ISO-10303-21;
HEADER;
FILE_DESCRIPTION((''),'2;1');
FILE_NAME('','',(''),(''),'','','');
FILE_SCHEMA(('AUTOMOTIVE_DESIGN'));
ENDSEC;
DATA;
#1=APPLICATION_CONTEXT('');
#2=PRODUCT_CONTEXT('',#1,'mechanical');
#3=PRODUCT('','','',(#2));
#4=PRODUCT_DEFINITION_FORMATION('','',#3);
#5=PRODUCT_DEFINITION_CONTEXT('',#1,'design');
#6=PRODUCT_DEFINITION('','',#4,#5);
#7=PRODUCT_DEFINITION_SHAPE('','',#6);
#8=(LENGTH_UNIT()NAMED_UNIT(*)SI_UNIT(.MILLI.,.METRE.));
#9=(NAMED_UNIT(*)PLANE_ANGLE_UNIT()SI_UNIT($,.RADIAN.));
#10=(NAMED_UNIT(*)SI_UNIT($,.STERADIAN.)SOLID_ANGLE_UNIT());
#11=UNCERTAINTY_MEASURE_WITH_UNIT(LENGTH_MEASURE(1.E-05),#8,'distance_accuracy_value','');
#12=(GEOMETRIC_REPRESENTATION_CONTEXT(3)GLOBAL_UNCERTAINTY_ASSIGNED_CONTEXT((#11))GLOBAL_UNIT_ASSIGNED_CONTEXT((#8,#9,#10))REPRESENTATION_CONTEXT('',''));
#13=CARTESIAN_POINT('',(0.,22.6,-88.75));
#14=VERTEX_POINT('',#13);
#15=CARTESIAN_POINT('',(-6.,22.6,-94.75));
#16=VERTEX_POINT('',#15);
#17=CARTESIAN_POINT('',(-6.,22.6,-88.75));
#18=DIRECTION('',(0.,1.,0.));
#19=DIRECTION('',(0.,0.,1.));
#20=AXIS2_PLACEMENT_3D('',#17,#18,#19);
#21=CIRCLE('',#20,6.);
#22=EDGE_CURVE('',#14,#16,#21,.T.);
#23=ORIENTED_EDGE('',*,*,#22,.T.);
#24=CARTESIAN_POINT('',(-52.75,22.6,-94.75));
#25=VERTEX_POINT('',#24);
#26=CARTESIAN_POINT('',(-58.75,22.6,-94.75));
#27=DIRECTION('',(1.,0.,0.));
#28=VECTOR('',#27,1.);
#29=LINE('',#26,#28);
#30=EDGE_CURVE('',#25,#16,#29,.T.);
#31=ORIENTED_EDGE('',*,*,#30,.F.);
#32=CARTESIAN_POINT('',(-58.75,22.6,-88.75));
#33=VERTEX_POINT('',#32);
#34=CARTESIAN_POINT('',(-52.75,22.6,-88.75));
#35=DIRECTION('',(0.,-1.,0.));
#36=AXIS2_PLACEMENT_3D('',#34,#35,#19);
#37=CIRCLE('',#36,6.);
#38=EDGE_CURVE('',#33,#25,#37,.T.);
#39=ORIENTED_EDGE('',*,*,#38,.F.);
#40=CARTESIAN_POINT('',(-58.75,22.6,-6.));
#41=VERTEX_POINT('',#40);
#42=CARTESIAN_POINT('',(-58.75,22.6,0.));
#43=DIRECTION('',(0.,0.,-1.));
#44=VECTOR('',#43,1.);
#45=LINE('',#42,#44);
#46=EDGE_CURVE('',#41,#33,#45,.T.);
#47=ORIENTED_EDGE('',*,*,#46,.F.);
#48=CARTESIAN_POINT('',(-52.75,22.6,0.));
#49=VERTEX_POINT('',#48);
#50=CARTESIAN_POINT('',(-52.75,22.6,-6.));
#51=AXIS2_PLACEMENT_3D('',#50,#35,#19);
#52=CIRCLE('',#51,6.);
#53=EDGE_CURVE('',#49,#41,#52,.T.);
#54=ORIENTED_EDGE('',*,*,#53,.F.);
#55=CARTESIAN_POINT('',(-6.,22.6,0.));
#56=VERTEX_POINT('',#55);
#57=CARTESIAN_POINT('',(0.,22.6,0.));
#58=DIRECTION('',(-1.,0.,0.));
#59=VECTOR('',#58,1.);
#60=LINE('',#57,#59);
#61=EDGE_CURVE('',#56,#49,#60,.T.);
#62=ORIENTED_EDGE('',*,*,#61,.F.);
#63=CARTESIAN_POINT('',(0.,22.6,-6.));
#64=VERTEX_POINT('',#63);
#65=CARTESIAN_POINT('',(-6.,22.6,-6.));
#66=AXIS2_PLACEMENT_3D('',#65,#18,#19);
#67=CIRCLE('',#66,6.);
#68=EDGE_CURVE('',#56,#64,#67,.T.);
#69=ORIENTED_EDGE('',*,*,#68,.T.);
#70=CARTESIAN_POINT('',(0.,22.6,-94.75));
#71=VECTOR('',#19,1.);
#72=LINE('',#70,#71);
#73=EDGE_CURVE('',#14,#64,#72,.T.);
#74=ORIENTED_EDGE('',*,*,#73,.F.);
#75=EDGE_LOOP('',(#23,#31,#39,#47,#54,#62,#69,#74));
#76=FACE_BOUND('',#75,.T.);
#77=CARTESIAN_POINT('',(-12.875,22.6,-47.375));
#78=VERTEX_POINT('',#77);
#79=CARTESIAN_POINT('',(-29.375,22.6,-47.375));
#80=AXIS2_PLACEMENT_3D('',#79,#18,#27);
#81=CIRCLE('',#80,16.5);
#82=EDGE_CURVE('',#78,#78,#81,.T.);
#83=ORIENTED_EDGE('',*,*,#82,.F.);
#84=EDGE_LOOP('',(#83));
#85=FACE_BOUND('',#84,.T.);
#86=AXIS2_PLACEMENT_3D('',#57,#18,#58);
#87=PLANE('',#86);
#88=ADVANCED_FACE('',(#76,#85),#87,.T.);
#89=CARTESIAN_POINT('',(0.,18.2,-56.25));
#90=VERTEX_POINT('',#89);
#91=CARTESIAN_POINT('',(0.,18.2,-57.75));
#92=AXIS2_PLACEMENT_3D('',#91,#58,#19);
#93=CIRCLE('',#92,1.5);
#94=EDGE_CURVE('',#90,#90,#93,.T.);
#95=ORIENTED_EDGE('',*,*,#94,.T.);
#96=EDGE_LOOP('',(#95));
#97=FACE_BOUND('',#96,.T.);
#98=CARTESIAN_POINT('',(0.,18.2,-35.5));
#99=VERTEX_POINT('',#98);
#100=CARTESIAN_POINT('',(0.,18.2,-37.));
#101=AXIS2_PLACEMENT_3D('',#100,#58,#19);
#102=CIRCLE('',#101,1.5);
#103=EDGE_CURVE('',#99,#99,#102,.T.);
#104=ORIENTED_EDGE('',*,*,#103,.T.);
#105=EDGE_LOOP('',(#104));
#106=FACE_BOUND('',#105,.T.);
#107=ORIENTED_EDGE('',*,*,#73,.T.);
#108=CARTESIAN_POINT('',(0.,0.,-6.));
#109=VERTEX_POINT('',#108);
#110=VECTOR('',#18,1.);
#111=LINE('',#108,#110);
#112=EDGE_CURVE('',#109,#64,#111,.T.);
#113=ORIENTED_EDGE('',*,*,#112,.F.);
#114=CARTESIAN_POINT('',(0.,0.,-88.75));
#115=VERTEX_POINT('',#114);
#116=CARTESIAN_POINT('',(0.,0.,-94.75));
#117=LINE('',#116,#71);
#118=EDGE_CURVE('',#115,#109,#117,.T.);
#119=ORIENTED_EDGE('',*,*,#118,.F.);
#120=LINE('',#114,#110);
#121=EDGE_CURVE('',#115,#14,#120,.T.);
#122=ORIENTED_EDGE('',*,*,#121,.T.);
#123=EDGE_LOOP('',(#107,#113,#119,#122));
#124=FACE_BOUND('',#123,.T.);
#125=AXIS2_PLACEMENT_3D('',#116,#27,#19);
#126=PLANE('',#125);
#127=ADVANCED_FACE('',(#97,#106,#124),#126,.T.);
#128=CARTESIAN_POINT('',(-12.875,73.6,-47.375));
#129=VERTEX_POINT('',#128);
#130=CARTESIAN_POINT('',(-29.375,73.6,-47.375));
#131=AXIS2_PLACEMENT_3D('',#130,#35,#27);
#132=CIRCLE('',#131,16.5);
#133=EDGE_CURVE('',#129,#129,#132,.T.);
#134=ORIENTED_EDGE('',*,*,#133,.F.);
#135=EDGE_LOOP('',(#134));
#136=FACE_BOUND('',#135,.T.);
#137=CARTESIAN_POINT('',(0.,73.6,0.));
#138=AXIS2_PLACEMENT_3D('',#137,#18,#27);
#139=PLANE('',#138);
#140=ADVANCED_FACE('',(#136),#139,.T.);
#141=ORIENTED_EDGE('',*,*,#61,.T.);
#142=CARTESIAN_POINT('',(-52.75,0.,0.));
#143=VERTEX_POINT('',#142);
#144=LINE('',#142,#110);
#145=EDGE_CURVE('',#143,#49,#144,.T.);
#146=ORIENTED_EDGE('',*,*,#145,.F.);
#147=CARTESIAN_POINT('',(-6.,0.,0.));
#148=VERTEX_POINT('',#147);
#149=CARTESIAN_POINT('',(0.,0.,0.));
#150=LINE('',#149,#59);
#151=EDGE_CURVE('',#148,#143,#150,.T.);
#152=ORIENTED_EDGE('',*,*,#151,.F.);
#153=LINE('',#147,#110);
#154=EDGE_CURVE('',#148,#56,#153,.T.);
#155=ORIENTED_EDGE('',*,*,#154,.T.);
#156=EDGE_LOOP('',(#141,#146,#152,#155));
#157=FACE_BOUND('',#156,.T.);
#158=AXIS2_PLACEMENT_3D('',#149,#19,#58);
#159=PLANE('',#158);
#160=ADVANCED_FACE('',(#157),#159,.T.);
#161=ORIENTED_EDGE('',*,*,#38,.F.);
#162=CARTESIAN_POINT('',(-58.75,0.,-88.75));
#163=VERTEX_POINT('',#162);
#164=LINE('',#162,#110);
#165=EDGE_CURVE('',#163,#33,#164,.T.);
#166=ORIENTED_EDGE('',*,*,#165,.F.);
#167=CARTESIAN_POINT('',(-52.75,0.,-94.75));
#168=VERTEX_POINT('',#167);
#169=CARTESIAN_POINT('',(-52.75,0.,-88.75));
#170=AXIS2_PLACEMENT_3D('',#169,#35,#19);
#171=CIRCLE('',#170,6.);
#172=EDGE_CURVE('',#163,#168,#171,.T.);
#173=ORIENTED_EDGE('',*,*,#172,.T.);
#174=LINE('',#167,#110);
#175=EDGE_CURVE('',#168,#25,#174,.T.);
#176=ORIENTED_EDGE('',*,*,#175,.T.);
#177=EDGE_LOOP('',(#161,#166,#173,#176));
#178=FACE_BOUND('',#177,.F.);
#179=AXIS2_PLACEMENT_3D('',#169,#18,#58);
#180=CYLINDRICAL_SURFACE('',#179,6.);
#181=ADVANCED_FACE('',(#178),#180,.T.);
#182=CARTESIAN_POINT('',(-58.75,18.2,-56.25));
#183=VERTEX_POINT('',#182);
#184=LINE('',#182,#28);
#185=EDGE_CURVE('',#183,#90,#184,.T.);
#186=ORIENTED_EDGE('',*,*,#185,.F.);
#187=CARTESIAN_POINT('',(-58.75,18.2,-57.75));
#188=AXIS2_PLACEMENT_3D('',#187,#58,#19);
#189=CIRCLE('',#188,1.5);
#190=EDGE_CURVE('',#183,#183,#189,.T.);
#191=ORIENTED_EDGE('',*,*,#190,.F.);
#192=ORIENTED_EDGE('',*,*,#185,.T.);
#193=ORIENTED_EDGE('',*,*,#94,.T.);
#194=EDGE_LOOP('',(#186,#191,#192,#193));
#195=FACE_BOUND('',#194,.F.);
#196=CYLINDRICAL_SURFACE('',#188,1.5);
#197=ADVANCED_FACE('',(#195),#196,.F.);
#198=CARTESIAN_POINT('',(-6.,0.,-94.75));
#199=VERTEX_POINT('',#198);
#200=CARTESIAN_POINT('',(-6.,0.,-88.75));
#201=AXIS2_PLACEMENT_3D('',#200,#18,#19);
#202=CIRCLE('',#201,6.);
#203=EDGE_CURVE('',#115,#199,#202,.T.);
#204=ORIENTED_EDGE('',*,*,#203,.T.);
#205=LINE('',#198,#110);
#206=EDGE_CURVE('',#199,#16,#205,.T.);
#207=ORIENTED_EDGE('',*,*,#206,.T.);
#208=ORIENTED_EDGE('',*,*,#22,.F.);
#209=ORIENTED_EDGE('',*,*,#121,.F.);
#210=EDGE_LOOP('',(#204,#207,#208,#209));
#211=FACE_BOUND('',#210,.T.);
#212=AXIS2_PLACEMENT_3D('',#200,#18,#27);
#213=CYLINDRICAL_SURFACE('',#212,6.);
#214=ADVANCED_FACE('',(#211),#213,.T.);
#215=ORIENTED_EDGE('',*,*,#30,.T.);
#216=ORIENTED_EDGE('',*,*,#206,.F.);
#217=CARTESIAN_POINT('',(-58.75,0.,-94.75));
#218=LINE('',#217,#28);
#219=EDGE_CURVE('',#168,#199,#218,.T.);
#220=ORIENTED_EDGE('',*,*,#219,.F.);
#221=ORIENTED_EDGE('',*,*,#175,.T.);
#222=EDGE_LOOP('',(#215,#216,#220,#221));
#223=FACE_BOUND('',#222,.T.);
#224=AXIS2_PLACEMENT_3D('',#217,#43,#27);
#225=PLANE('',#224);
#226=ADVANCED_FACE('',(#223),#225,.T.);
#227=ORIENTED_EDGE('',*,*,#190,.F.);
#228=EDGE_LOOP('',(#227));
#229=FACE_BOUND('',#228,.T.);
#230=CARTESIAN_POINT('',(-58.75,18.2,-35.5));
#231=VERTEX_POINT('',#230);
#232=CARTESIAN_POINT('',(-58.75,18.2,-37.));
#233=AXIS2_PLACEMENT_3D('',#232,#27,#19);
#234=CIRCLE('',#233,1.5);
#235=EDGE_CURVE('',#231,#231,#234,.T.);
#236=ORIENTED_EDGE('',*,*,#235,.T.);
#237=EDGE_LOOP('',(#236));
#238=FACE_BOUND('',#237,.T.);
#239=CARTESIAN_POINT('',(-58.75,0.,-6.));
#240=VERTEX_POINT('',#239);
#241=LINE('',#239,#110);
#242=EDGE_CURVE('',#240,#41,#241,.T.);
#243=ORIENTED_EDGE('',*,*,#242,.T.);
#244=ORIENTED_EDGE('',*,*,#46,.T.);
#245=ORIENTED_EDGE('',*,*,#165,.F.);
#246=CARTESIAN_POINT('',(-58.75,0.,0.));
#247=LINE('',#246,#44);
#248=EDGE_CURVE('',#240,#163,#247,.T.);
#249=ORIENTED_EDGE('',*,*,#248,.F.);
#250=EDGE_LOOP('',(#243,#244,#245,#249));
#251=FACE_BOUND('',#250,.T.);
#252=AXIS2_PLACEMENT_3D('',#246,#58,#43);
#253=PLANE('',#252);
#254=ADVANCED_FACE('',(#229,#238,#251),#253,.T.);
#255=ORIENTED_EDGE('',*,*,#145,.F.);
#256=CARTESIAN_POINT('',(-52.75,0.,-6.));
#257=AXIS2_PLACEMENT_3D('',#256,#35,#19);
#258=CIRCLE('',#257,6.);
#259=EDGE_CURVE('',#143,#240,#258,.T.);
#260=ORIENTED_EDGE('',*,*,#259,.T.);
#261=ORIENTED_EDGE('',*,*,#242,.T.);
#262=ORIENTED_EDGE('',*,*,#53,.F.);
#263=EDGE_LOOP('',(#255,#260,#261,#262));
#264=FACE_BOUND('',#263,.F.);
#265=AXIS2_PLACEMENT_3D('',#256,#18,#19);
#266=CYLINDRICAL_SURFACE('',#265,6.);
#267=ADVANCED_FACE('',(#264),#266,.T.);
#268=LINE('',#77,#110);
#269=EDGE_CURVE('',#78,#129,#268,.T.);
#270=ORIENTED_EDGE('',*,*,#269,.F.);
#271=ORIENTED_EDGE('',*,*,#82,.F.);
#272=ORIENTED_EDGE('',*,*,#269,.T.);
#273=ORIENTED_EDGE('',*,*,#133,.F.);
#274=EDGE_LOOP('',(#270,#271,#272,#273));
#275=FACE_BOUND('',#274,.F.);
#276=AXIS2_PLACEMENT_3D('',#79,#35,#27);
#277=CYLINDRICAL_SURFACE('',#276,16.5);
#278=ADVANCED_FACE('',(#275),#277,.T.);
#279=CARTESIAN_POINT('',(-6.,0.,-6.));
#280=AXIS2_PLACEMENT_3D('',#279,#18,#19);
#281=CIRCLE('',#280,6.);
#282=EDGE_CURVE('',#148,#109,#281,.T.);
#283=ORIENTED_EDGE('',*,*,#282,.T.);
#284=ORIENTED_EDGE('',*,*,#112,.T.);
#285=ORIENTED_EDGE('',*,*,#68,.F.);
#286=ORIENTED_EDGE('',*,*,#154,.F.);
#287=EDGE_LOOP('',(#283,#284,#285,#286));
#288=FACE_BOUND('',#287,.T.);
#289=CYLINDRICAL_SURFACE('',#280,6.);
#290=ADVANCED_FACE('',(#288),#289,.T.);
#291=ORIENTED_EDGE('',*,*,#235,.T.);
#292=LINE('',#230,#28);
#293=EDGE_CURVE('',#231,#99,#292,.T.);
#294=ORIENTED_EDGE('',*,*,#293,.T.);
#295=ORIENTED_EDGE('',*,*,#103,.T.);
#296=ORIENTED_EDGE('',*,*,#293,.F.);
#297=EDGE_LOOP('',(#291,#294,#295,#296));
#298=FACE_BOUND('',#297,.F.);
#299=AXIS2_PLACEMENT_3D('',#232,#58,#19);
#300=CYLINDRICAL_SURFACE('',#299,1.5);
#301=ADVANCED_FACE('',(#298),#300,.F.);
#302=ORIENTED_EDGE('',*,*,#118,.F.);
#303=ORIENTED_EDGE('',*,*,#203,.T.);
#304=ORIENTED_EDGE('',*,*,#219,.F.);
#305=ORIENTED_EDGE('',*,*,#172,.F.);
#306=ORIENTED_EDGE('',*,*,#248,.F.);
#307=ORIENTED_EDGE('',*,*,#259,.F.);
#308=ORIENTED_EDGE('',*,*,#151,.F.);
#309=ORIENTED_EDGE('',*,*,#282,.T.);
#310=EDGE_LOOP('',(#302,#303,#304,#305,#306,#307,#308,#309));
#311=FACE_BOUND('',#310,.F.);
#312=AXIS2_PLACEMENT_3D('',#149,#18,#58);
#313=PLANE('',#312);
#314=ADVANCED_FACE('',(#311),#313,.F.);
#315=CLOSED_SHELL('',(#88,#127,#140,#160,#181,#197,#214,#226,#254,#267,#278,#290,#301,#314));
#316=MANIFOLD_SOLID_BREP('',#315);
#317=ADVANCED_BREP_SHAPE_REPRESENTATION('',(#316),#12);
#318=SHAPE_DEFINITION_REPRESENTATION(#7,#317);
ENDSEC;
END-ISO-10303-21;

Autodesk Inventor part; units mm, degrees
ref_plane "YZ Plane" through (0, 0, 0) normal (1, 0, 0) x (0, 1, 0)
ref_plane "XZ Plane" through (0, 0, 0) normal (0, 1, 0) x (-1, 0, 0)
ref_plane "XY Plane" through (0, 0, 0) normal (0, 0, 1) x (1, 0, 0)
sketch "Sketch1" plane through (0, 0, 0) normal (0, 1, 0) x (-1, 0, 0)
  line L0 (0, 0) -> (58.75, 0)
  line L1 (58.75, 0) -> (58.75, -94.75)
  line L2 (58.75, -94.75) -> (0, -94.75)
  line L3 (0, -94.75) -> (0, 0)
  dimension "d0" = 58.75
  dimension "d1" = 94.75
extrude "Extrusion1" add sketch "Sketch1" along normal blind 22.6
sketch "Sketch2" plane through (0, 22.6, 0) normal (0, 1, 0) x (1, 0, 0)
  line L0 (-58.75, 0) -> (0, 0) projected
  line L1 (-29.375, 0) -> (-29.375, 94.75)
  line L2 (0, 94.75) -> (-58.75, 94.75) projected
  line L3 (-58.75, 94.75) -> (-58.75, 0) projected
  line L4 (-58.75, 47.375) -> (0, 47.375)
  line L5 (0, 0) -> (0, 94.75) projected
  circle A0 centre (-29.375, 47.375) radius 16.5
  dimension "d4" = 33
extrude "Extrusion2" add sketch "Sketch2" along normal blind 51 contours A0 L4 L1 | L1 L4 A0 | A0 L1 L4 | L1 A0 L4
fillet "Fillet1" radius 6 4 edges at (0, 11.3, 0) (0, 11.3, -94.75) (-58.75, 11.3, 0) (-58.75, 11.3, -94.75)
sketch "Sketch3" plane through (-58.75, 0, -88.75) normal (-1, 0, 0) x (0, 0, 1)
  line L0 (82.75, 22.6) -> (88.75, 22.6) projected
  line L1 (88.75, 22.6) -> (51.75, 22.6)
  line L2 (24.875, 22.6) -> (57.875, 22.6) projected
  line L3 (51.75, 22.6) -> (51.75, 18.2)
  circle A0 centre (51.75, 18.2) radius 1.5
  line L4 (41.375, 22.6) -> (41.375, 4.2655)
  circle A1 centre (31, 18.2) radius 1.5
  point P0 (88.75, 0)
  dimension "d8" = 37
  dimension "d9" = 4.4
  dimension "d10" = 3
extrude "Extrusion3" cut sketch "Sketch3" against normal blind 70
properties part number "camera_v2"
